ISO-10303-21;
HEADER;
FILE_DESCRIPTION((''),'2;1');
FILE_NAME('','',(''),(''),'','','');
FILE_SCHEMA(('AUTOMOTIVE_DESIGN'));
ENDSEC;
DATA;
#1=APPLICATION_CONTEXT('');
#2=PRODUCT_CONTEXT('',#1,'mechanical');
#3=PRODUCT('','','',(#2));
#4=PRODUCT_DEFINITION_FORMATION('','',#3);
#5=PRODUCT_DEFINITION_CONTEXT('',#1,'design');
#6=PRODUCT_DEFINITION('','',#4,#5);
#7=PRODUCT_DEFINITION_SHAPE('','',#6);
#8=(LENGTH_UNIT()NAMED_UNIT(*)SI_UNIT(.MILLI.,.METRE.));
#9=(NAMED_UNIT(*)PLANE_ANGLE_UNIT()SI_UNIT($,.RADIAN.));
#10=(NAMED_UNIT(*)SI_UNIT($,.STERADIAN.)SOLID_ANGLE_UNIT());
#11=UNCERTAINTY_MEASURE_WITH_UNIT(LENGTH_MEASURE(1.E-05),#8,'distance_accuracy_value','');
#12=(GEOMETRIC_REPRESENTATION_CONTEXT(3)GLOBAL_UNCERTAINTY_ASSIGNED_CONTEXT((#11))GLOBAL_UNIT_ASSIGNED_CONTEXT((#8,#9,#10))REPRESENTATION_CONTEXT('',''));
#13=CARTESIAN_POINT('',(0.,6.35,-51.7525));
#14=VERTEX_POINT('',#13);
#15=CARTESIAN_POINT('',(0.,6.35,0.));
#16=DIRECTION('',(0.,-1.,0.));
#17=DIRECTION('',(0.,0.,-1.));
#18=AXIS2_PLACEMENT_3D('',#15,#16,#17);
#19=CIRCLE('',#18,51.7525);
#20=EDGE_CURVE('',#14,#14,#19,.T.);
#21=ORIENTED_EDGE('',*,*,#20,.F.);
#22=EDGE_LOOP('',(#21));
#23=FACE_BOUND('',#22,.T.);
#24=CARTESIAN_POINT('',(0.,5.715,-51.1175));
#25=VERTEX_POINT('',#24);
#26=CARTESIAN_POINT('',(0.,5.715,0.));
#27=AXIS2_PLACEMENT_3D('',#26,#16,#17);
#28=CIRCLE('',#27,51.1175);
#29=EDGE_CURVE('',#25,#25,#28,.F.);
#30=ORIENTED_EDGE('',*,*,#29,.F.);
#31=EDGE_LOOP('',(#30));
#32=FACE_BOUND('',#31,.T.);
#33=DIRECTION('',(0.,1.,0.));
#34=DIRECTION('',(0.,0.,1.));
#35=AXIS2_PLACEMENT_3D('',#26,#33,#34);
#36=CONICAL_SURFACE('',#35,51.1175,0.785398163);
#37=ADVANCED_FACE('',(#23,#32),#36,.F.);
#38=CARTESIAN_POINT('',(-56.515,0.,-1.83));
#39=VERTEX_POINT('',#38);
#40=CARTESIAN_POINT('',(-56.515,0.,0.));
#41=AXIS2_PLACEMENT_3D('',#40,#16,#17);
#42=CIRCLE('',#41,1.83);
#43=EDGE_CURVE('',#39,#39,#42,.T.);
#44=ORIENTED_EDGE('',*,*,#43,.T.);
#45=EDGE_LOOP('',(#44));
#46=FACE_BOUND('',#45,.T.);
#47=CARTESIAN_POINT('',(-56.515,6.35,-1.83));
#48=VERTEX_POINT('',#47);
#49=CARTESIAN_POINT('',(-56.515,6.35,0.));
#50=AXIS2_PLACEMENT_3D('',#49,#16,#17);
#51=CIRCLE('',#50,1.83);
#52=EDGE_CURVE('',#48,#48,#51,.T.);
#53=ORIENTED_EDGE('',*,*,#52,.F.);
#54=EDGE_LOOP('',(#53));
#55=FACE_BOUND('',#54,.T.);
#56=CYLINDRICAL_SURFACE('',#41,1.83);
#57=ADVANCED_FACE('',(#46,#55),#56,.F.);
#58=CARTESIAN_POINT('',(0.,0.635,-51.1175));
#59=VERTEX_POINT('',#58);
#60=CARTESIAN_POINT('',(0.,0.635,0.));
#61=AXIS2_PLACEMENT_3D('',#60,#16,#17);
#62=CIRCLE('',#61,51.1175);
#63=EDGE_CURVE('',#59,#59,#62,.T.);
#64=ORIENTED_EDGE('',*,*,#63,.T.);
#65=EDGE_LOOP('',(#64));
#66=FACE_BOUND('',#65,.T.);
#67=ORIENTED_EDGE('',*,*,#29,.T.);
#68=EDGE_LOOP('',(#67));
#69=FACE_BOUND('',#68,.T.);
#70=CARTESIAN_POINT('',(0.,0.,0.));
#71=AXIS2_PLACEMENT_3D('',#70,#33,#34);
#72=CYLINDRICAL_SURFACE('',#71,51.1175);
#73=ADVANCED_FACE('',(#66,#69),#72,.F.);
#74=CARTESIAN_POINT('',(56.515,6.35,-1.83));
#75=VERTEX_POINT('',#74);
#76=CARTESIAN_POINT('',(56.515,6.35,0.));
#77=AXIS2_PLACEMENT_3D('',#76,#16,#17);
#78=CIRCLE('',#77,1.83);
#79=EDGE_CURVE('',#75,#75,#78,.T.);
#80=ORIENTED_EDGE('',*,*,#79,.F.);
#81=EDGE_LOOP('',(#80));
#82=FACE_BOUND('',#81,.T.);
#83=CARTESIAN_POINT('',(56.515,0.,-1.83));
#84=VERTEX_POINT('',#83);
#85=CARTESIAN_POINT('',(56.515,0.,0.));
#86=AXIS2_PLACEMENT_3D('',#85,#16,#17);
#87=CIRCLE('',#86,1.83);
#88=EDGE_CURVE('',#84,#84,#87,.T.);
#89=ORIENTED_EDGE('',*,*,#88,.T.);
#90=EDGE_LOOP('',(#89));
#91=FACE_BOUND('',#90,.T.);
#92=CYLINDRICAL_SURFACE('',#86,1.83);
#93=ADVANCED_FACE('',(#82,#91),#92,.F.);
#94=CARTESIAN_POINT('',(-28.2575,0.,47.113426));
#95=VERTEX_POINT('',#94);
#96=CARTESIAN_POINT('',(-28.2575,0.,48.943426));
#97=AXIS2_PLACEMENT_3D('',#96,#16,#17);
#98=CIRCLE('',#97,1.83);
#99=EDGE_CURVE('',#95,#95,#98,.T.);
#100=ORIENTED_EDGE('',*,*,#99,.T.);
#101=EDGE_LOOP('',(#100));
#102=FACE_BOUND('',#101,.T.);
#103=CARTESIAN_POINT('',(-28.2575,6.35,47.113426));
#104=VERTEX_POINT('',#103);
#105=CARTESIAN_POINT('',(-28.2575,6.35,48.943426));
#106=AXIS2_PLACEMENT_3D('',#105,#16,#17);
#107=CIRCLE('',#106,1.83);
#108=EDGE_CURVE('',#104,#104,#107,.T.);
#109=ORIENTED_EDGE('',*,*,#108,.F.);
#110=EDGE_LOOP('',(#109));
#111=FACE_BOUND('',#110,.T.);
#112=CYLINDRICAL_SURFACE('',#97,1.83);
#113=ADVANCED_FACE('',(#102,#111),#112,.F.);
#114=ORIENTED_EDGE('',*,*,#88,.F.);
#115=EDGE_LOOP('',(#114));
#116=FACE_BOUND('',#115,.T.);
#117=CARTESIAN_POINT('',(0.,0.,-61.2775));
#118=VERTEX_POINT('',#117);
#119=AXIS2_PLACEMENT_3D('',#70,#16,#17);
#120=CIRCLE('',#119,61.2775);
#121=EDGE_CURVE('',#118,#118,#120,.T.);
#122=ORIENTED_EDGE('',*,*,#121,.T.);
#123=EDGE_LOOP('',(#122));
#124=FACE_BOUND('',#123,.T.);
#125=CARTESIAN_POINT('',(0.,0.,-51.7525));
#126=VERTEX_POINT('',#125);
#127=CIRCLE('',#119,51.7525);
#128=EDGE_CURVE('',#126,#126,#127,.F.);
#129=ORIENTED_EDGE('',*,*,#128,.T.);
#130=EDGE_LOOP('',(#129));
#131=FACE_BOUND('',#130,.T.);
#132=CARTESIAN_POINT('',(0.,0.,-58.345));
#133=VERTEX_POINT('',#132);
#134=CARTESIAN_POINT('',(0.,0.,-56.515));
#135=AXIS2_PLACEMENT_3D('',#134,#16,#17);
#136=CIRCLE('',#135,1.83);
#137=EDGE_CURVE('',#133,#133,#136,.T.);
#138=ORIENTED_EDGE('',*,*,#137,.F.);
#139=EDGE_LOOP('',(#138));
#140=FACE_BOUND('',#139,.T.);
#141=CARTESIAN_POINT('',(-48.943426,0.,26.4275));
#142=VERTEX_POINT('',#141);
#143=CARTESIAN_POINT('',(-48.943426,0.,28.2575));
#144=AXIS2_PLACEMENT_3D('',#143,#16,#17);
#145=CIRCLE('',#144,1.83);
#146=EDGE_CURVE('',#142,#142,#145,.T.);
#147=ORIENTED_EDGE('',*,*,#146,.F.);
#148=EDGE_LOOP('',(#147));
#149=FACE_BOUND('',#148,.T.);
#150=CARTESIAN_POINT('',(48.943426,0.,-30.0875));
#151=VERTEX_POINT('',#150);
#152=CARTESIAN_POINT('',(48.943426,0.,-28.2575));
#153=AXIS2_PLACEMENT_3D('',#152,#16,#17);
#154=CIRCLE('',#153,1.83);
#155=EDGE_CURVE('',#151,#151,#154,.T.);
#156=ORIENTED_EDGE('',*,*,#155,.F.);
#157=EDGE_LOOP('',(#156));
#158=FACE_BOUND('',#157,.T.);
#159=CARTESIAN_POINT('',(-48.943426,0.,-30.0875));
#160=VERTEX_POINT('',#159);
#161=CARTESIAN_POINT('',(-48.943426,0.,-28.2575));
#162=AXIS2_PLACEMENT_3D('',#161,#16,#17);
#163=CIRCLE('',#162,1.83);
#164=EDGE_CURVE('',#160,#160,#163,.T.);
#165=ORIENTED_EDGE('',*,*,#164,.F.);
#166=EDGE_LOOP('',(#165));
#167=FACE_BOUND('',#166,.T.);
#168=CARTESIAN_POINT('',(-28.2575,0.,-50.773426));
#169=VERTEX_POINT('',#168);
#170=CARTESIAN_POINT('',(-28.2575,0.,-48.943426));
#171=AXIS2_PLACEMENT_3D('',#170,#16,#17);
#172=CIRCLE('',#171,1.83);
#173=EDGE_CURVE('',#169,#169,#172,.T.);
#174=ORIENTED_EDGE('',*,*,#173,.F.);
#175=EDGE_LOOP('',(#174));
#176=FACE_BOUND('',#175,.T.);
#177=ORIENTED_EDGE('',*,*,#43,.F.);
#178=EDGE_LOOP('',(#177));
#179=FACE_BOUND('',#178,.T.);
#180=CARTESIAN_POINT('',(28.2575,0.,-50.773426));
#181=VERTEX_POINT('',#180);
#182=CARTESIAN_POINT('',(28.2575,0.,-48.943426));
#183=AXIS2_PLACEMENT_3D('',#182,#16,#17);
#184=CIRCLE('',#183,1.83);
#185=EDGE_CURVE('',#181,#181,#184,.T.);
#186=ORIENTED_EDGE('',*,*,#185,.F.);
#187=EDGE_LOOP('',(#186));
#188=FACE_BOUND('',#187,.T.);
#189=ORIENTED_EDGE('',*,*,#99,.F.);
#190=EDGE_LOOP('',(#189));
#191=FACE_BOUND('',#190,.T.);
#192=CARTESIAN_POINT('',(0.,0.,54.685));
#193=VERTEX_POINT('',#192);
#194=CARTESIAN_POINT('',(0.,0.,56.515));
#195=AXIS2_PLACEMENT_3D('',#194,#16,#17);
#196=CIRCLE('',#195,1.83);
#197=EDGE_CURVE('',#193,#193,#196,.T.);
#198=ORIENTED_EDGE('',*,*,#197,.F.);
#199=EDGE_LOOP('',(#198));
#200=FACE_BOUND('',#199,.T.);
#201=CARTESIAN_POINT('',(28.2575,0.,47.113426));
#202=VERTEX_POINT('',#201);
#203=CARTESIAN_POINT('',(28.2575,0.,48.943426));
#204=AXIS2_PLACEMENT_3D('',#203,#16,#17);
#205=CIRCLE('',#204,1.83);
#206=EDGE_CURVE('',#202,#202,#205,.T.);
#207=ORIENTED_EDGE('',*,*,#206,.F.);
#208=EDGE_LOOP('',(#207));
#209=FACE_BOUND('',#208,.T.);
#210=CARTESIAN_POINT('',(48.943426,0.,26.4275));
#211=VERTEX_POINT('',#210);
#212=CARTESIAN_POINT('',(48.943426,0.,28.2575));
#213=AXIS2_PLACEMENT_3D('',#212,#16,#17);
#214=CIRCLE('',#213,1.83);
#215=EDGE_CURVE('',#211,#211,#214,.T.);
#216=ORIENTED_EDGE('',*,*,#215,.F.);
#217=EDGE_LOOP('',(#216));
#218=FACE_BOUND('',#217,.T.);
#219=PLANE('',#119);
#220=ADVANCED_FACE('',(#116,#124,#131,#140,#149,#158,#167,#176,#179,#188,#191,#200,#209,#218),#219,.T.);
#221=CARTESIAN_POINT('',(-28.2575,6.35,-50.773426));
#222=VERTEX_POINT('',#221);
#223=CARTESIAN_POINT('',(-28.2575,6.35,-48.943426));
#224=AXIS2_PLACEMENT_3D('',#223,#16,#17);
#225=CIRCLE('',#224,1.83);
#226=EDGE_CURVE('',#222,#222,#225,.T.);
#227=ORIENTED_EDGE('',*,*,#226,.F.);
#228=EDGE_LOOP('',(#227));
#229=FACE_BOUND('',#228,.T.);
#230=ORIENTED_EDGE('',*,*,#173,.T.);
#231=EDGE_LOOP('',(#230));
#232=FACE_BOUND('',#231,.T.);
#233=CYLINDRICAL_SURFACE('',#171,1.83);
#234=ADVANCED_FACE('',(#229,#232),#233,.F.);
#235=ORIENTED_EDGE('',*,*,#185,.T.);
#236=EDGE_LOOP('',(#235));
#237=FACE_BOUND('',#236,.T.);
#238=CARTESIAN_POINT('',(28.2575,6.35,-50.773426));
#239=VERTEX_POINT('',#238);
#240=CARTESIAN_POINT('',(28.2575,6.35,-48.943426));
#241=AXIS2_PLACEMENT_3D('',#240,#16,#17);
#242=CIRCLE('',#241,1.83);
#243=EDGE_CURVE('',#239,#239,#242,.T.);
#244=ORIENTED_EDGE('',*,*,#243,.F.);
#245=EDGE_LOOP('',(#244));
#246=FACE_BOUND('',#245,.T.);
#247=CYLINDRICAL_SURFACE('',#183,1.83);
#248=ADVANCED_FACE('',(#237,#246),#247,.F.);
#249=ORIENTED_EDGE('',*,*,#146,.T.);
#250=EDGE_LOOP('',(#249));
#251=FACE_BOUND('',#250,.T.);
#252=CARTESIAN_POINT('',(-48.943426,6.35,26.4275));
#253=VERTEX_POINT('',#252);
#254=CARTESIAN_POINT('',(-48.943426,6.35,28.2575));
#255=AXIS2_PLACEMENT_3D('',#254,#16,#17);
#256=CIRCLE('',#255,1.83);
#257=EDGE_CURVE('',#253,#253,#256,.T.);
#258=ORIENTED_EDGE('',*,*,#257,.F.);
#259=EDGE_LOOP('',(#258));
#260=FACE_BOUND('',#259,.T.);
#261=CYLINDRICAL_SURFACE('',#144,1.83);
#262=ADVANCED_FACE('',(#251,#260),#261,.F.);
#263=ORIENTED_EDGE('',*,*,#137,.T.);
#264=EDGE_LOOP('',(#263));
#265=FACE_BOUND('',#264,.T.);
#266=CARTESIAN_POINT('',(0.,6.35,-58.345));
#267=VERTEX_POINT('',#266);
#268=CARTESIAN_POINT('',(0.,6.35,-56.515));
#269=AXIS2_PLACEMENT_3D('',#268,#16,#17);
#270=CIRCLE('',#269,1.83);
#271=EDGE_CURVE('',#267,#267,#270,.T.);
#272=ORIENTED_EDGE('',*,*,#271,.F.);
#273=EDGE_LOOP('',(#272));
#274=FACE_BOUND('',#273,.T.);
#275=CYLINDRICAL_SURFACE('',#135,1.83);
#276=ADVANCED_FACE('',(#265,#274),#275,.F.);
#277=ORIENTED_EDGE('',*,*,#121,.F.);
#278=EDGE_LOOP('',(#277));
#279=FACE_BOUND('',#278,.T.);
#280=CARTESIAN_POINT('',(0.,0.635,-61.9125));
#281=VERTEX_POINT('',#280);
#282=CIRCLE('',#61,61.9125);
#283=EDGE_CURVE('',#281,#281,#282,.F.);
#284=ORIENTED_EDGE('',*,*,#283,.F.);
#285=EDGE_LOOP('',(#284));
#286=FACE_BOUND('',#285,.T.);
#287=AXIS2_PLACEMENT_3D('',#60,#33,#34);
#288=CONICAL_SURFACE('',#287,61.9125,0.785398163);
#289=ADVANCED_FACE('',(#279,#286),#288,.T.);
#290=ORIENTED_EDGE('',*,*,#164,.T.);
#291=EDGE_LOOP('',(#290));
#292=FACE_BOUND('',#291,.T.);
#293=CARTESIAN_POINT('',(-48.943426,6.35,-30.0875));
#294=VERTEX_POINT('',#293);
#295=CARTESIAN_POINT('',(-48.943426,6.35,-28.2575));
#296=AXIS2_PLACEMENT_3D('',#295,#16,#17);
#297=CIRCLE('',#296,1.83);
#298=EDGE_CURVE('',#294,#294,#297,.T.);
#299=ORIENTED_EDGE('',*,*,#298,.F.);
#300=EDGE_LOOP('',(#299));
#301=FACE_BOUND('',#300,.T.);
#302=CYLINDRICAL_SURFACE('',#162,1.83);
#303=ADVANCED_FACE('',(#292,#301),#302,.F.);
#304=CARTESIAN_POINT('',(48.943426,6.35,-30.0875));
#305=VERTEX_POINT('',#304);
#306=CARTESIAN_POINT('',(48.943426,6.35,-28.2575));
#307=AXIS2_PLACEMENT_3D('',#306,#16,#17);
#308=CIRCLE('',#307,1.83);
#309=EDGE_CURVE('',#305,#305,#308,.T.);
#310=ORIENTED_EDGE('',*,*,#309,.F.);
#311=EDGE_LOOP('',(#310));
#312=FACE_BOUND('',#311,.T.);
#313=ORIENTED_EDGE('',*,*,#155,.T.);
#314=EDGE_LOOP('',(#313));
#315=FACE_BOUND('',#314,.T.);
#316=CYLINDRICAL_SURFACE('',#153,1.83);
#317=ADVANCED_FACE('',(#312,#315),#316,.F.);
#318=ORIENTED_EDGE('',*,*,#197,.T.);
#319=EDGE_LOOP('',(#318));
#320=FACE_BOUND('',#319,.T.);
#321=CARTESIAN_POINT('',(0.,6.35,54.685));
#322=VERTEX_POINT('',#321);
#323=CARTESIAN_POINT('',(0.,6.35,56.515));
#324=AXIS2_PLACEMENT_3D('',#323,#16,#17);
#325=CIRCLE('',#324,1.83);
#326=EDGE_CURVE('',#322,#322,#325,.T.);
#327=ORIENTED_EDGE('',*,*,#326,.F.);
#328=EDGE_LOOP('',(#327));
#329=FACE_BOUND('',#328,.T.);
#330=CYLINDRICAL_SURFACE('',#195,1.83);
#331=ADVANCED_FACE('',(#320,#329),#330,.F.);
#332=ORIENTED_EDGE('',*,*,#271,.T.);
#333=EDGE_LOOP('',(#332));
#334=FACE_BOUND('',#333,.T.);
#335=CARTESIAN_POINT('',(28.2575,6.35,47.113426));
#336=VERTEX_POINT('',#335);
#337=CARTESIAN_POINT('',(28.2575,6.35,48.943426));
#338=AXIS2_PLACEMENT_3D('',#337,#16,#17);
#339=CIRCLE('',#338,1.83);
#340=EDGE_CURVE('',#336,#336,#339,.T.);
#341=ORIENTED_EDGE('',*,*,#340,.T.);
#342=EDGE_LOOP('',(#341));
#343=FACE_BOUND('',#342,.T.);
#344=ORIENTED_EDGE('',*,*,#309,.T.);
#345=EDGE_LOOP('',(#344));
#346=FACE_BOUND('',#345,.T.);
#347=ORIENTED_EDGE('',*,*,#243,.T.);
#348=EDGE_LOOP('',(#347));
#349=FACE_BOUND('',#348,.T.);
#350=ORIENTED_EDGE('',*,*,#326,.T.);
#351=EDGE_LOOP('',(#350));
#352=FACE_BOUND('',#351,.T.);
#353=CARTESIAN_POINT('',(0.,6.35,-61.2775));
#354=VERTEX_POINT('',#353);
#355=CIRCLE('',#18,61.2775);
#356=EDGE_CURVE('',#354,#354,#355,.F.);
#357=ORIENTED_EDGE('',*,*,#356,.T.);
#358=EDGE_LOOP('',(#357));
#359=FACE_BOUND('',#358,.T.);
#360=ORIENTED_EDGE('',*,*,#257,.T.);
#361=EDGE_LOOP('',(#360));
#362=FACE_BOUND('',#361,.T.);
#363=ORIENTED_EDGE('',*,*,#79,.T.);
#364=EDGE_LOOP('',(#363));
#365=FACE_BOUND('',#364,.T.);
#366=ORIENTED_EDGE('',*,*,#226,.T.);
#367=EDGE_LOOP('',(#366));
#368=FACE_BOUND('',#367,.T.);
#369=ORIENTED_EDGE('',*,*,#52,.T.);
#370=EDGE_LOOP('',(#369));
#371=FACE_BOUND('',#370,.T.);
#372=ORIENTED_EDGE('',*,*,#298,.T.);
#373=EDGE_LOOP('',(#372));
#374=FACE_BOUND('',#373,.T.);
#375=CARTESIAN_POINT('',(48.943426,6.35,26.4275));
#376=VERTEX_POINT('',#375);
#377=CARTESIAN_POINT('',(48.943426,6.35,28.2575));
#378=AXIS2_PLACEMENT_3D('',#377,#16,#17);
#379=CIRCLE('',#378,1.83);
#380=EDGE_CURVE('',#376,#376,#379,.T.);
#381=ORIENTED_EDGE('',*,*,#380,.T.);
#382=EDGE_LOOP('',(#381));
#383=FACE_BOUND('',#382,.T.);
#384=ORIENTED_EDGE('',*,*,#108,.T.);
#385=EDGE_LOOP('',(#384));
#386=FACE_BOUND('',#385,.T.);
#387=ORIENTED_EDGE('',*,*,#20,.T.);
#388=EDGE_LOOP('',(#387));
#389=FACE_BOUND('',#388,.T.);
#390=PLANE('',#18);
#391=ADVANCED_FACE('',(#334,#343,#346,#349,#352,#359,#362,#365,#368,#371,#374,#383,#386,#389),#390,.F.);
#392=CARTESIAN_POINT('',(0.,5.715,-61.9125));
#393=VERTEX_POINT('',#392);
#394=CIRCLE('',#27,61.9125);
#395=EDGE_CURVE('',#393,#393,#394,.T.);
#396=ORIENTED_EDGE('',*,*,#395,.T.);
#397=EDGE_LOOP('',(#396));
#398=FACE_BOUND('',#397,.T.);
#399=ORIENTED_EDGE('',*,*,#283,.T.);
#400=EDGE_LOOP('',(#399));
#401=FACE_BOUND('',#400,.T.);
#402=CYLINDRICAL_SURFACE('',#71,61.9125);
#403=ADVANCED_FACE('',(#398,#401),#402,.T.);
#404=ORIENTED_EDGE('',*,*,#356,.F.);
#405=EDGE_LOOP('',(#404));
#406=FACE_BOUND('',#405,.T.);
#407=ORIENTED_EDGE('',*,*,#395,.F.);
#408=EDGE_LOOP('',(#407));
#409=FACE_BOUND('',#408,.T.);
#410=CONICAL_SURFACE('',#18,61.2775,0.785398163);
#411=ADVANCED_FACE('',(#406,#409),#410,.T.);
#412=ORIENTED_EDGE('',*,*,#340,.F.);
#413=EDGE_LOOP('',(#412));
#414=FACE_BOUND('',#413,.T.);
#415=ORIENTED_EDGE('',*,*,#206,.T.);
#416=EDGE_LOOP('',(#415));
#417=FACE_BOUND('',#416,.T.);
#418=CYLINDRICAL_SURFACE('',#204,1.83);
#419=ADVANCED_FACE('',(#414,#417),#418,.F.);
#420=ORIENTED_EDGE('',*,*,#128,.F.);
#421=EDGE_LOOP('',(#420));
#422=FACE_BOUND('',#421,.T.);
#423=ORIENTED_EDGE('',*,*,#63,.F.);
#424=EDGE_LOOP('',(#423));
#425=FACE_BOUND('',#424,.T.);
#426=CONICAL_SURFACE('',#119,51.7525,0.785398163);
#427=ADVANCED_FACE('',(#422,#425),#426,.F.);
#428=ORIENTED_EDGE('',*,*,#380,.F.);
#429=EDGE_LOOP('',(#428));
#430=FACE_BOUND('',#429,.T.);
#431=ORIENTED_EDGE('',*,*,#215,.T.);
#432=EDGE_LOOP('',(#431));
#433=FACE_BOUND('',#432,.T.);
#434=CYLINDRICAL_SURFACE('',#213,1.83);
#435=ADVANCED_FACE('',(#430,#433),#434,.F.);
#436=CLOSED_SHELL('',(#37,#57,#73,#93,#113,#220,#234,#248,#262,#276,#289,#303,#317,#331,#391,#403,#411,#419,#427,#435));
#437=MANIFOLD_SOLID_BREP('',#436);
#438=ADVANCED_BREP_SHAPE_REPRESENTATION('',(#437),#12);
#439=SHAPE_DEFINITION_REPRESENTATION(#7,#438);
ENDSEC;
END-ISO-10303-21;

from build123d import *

# Parameters (mm, degrees)
SKETCH1_R           = 61.9125
SKETCH1_R_2         = 51.1175
BOSS_EXTRUDE1_DEPTH = 6.35
CHAMFER1_SIZE       = 0.635
CHAMFER2_SIZE       = 0.635
HOLE1_D             = 3.66
CIRPATTERN1_COUNT   = 12
CHAMFER3_SIZE       = 0.635
CHAMFER4_SIZE       = 0.635


with BuildPart() as part:
    # Sketch1 → Boss-Extrude1 (new body)
    with BuildSketch(Plane(origin=(0, 6.35, 0), x_dir=(1, 0, 0), z_dir=(0, 1, 0))):
        Circle(SKETCH1_R)
        Circle(SKETCH1_R_2, mode=Mode.SUBTRACT)
    extrude(amount=-BOSS_EXTRUDE1_DEPTH)

    # Chamfer1
    chamfer1_edges = [part.edges().sort_by_distance(p)[0] for p in [
        (-51.1175, 0, 0),
    ]]
    chamfer(chamfer1_edges, length=CHAMFER1_SIZE)

    # Chamfer2
    chamfer2_edges = [part.edges().sort_by_distance(p)[0] for p in [
        (-51.1175, 6.35, 0),
    ]]
    chamfer(chamfer2_edges, length=CHAMFER2_SIZE)

    # Hole1 (through all)
    with Locations(Plane(origin=(0, 0, 0), x_dir=(-1, 0, 0), z_dir=(0, -1, 0))):
        with Locations((28.2575, -48.943425695)):
            hole1 = Hole(HOLE1_D / 2)

    # CirPattern1: Hole1 ×12 about axis
    cirpattern1_axis = Axis((0, -96.825, 0), (0, 1, 0))
    for i in range(1, CIRPATTERN1_COUNT):
        add(hole1.rotate(cirpattern1_axis, i * 360 / CIRPATTERN1_COUNT), mode=Mode.SUBTRACT)

    # Chamfer3
    chamfer3_edges = [part.edges().sort_by_distance(p)[0] for p in [
        (-61.9125, 0, 0),
    ]]
    chamfer(chamfer3_edges, length=CHAMFER3_SIZE)

    # Chamfer4
    chamfer4_edges = [part.edges().sort_by_distance(p)[0] for p in [
        (-61.9125, 6.35, 0),
    ]]
    chamfer(chamfer4_edges, length=CHAMFER4_SIZE)


solid = part.part
